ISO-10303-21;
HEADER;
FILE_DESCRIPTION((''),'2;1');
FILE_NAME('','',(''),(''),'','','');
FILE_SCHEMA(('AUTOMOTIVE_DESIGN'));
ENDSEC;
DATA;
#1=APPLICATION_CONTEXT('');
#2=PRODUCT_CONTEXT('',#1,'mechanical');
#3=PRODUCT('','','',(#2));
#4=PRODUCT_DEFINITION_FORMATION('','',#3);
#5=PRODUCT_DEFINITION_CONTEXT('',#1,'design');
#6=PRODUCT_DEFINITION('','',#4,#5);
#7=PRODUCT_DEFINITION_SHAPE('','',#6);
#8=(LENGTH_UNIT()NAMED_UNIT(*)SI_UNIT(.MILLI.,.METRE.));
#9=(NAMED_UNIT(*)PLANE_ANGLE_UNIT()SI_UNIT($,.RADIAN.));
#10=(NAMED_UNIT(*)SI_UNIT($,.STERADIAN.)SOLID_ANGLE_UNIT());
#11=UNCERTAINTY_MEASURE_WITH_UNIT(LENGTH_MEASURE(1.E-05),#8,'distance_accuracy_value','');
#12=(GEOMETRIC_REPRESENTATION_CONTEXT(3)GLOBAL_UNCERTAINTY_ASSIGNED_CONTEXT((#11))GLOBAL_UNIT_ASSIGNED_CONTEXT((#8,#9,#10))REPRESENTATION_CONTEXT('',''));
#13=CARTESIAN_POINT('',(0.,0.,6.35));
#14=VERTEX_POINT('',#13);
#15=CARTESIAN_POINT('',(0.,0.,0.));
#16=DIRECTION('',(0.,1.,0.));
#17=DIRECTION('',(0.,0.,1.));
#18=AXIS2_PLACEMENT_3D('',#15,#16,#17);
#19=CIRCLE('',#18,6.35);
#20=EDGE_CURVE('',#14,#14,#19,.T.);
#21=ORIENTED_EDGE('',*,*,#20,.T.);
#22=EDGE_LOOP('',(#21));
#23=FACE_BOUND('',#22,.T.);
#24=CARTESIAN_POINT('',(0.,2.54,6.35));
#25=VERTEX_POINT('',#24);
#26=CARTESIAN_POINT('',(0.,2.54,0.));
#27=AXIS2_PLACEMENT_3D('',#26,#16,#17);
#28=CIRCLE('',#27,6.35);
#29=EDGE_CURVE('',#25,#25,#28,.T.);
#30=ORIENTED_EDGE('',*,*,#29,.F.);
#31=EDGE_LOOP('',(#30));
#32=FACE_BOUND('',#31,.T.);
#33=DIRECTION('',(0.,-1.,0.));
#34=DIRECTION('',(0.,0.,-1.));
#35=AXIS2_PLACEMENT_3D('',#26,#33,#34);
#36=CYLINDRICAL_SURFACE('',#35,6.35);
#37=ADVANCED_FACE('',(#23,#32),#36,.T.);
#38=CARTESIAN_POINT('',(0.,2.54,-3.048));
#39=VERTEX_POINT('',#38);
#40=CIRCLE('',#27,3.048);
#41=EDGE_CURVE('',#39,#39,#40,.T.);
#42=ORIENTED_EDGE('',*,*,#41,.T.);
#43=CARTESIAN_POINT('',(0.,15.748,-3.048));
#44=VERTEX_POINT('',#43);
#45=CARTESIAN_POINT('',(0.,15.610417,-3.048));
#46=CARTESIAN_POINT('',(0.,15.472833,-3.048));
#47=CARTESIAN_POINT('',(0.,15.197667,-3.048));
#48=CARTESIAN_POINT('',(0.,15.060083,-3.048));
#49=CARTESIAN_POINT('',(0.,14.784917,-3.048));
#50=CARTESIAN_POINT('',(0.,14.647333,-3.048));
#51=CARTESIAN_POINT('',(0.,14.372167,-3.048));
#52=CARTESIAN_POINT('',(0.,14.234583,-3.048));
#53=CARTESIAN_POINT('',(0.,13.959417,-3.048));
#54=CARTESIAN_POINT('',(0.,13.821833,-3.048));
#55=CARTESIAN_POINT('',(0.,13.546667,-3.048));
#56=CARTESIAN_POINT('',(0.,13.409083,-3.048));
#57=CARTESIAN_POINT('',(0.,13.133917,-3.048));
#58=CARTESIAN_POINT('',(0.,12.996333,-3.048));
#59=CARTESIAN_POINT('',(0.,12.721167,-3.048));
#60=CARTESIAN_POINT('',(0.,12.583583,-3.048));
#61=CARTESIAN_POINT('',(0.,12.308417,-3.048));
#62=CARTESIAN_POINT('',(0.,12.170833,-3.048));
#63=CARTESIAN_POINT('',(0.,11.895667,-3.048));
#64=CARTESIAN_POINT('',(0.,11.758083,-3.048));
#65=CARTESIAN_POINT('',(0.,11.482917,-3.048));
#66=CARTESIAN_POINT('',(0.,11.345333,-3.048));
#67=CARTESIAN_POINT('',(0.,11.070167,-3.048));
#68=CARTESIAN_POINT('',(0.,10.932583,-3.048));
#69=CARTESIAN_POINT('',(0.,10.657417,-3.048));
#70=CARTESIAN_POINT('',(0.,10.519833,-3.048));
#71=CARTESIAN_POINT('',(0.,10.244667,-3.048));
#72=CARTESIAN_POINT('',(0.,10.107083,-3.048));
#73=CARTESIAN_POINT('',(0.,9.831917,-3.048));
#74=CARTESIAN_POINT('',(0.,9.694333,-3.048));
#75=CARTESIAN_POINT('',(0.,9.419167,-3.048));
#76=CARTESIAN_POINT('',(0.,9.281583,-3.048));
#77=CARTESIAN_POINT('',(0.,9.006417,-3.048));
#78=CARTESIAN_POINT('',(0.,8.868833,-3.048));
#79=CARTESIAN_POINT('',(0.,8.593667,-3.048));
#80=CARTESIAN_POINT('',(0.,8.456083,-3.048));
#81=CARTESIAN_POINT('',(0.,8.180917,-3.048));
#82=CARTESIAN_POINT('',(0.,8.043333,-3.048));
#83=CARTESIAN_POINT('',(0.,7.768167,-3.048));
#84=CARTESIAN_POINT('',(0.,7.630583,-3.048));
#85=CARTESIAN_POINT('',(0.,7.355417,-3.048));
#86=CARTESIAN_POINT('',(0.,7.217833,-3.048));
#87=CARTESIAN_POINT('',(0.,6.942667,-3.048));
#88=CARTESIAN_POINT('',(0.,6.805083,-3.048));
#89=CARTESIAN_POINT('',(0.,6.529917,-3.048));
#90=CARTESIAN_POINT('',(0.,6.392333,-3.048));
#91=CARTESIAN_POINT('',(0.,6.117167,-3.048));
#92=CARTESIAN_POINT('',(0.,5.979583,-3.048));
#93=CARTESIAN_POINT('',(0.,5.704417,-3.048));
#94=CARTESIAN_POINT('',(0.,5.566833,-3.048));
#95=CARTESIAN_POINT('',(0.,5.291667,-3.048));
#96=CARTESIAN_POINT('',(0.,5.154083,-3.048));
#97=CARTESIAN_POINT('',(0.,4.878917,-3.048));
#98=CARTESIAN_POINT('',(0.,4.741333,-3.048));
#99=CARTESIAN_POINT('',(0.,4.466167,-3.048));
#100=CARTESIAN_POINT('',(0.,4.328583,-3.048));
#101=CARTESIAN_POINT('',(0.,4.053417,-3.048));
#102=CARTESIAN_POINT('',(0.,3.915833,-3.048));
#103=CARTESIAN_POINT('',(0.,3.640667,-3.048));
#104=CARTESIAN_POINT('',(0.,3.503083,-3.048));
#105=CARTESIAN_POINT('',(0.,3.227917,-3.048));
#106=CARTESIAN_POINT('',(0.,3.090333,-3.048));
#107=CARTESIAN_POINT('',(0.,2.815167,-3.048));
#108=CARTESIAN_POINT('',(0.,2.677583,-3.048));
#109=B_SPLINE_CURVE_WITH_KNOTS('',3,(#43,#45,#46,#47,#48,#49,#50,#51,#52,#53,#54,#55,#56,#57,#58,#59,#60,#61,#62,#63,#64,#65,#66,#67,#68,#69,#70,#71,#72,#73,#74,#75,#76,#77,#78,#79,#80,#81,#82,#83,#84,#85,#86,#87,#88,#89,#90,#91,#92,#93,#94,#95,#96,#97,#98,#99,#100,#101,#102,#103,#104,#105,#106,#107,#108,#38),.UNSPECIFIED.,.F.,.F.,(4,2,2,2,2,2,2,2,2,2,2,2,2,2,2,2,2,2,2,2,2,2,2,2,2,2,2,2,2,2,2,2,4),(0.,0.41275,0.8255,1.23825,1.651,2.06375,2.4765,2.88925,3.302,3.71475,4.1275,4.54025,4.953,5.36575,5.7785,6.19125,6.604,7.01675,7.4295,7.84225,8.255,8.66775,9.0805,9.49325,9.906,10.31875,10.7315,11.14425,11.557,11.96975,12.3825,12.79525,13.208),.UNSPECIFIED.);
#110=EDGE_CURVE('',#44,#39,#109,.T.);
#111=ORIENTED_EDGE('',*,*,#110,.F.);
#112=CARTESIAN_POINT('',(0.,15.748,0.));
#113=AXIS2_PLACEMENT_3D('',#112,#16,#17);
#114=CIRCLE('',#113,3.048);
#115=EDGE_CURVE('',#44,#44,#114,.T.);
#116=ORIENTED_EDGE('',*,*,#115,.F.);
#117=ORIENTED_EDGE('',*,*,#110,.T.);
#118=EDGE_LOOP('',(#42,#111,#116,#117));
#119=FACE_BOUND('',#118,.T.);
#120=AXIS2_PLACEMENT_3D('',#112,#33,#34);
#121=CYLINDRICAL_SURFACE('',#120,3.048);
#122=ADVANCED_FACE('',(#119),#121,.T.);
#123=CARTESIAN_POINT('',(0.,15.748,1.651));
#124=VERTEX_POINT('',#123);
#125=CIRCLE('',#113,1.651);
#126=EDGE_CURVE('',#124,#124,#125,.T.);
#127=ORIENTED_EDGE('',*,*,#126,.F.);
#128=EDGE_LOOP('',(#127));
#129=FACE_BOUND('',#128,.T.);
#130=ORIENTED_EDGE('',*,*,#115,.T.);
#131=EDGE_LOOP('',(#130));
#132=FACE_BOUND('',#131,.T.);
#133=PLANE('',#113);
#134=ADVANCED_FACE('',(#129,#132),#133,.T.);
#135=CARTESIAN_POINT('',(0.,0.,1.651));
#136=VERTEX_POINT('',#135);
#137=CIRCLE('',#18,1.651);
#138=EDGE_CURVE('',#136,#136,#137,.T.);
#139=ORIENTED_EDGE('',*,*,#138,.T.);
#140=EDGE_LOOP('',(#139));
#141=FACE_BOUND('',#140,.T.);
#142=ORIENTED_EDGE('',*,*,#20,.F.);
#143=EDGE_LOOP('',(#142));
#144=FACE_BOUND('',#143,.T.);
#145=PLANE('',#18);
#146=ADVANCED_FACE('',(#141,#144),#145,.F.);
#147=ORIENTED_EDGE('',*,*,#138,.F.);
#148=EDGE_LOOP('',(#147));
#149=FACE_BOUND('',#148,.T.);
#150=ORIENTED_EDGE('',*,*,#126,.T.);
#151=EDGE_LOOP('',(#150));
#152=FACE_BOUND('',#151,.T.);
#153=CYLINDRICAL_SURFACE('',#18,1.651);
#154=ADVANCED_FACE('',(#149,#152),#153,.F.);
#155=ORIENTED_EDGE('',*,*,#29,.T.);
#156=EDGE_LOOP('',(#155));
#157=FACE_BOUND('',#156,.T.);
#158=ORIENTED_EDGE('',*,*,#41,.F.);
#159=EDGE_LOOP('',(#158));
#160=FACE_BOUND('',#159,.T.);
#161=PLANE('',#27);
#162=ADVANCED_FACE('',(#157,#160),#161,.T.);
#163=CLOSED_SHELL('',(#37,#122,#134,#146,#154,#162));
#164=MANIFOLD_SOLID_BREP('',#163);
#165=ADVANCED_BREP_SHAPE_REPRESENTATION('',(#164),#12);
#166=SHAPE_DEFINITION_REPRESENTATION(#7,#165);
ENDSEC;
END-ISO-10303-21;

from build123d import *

# Parameters (mm, degrees)
SKETCH1_R           = 6.35
BOSS_EXTRUDE1_DEPTH = 2.54
SKETCH2_R           = 3.048
BOSS_EXTRUDE2_DEPTH = 13.208
SKETCH3_R           = 1.651
CUT_EXTRUDE1_DEPTH  = 19.128554934


with BuildPart() as part:
    # Sketch1 → Boss-Extrude1 (new body)
    with BuildSketch(Plane(origin=(0, 0, 0), x_dir=(1, 0, 0), z_dir=(0, 1, 0))):
        with Locations(Location((0, 0, 0), (0, 0, 270))):
            Circle(SKETCH1_R)
    extrude(amount=BOSS_EXTRUDE1_DEPTH)

    # Sketch2 → Boss-Extrude2 (add)
    with BuildSketch(Plane(origin=(0, 2.54, 0), x_dir=(1, 0, 0), z_dir=(0, 1, 0))):
        with Locations(Location((0, 0, 0), (0, 0, 90))):
            Circle(SKETCH2_R)
    extrude(amount=BOSS_EXTRUDE2_DEPTH)

    # Sketch3 → Cut-Extrude1 (cut, through all)
    with BuildSketch(Plane(origin=(0, 15.748, 0), x_dir=(1, 0, 0), z_dir=(0, 1, 0))):
        with Locations(Location((0, 0, 0), (0, 0, 270))):
            Circle(SKETCH3_R)
    extrude(amount=-CUT_EXTRUDE1_DEPTH, mode=Mode.SUBTRACT)


solid = part.part
